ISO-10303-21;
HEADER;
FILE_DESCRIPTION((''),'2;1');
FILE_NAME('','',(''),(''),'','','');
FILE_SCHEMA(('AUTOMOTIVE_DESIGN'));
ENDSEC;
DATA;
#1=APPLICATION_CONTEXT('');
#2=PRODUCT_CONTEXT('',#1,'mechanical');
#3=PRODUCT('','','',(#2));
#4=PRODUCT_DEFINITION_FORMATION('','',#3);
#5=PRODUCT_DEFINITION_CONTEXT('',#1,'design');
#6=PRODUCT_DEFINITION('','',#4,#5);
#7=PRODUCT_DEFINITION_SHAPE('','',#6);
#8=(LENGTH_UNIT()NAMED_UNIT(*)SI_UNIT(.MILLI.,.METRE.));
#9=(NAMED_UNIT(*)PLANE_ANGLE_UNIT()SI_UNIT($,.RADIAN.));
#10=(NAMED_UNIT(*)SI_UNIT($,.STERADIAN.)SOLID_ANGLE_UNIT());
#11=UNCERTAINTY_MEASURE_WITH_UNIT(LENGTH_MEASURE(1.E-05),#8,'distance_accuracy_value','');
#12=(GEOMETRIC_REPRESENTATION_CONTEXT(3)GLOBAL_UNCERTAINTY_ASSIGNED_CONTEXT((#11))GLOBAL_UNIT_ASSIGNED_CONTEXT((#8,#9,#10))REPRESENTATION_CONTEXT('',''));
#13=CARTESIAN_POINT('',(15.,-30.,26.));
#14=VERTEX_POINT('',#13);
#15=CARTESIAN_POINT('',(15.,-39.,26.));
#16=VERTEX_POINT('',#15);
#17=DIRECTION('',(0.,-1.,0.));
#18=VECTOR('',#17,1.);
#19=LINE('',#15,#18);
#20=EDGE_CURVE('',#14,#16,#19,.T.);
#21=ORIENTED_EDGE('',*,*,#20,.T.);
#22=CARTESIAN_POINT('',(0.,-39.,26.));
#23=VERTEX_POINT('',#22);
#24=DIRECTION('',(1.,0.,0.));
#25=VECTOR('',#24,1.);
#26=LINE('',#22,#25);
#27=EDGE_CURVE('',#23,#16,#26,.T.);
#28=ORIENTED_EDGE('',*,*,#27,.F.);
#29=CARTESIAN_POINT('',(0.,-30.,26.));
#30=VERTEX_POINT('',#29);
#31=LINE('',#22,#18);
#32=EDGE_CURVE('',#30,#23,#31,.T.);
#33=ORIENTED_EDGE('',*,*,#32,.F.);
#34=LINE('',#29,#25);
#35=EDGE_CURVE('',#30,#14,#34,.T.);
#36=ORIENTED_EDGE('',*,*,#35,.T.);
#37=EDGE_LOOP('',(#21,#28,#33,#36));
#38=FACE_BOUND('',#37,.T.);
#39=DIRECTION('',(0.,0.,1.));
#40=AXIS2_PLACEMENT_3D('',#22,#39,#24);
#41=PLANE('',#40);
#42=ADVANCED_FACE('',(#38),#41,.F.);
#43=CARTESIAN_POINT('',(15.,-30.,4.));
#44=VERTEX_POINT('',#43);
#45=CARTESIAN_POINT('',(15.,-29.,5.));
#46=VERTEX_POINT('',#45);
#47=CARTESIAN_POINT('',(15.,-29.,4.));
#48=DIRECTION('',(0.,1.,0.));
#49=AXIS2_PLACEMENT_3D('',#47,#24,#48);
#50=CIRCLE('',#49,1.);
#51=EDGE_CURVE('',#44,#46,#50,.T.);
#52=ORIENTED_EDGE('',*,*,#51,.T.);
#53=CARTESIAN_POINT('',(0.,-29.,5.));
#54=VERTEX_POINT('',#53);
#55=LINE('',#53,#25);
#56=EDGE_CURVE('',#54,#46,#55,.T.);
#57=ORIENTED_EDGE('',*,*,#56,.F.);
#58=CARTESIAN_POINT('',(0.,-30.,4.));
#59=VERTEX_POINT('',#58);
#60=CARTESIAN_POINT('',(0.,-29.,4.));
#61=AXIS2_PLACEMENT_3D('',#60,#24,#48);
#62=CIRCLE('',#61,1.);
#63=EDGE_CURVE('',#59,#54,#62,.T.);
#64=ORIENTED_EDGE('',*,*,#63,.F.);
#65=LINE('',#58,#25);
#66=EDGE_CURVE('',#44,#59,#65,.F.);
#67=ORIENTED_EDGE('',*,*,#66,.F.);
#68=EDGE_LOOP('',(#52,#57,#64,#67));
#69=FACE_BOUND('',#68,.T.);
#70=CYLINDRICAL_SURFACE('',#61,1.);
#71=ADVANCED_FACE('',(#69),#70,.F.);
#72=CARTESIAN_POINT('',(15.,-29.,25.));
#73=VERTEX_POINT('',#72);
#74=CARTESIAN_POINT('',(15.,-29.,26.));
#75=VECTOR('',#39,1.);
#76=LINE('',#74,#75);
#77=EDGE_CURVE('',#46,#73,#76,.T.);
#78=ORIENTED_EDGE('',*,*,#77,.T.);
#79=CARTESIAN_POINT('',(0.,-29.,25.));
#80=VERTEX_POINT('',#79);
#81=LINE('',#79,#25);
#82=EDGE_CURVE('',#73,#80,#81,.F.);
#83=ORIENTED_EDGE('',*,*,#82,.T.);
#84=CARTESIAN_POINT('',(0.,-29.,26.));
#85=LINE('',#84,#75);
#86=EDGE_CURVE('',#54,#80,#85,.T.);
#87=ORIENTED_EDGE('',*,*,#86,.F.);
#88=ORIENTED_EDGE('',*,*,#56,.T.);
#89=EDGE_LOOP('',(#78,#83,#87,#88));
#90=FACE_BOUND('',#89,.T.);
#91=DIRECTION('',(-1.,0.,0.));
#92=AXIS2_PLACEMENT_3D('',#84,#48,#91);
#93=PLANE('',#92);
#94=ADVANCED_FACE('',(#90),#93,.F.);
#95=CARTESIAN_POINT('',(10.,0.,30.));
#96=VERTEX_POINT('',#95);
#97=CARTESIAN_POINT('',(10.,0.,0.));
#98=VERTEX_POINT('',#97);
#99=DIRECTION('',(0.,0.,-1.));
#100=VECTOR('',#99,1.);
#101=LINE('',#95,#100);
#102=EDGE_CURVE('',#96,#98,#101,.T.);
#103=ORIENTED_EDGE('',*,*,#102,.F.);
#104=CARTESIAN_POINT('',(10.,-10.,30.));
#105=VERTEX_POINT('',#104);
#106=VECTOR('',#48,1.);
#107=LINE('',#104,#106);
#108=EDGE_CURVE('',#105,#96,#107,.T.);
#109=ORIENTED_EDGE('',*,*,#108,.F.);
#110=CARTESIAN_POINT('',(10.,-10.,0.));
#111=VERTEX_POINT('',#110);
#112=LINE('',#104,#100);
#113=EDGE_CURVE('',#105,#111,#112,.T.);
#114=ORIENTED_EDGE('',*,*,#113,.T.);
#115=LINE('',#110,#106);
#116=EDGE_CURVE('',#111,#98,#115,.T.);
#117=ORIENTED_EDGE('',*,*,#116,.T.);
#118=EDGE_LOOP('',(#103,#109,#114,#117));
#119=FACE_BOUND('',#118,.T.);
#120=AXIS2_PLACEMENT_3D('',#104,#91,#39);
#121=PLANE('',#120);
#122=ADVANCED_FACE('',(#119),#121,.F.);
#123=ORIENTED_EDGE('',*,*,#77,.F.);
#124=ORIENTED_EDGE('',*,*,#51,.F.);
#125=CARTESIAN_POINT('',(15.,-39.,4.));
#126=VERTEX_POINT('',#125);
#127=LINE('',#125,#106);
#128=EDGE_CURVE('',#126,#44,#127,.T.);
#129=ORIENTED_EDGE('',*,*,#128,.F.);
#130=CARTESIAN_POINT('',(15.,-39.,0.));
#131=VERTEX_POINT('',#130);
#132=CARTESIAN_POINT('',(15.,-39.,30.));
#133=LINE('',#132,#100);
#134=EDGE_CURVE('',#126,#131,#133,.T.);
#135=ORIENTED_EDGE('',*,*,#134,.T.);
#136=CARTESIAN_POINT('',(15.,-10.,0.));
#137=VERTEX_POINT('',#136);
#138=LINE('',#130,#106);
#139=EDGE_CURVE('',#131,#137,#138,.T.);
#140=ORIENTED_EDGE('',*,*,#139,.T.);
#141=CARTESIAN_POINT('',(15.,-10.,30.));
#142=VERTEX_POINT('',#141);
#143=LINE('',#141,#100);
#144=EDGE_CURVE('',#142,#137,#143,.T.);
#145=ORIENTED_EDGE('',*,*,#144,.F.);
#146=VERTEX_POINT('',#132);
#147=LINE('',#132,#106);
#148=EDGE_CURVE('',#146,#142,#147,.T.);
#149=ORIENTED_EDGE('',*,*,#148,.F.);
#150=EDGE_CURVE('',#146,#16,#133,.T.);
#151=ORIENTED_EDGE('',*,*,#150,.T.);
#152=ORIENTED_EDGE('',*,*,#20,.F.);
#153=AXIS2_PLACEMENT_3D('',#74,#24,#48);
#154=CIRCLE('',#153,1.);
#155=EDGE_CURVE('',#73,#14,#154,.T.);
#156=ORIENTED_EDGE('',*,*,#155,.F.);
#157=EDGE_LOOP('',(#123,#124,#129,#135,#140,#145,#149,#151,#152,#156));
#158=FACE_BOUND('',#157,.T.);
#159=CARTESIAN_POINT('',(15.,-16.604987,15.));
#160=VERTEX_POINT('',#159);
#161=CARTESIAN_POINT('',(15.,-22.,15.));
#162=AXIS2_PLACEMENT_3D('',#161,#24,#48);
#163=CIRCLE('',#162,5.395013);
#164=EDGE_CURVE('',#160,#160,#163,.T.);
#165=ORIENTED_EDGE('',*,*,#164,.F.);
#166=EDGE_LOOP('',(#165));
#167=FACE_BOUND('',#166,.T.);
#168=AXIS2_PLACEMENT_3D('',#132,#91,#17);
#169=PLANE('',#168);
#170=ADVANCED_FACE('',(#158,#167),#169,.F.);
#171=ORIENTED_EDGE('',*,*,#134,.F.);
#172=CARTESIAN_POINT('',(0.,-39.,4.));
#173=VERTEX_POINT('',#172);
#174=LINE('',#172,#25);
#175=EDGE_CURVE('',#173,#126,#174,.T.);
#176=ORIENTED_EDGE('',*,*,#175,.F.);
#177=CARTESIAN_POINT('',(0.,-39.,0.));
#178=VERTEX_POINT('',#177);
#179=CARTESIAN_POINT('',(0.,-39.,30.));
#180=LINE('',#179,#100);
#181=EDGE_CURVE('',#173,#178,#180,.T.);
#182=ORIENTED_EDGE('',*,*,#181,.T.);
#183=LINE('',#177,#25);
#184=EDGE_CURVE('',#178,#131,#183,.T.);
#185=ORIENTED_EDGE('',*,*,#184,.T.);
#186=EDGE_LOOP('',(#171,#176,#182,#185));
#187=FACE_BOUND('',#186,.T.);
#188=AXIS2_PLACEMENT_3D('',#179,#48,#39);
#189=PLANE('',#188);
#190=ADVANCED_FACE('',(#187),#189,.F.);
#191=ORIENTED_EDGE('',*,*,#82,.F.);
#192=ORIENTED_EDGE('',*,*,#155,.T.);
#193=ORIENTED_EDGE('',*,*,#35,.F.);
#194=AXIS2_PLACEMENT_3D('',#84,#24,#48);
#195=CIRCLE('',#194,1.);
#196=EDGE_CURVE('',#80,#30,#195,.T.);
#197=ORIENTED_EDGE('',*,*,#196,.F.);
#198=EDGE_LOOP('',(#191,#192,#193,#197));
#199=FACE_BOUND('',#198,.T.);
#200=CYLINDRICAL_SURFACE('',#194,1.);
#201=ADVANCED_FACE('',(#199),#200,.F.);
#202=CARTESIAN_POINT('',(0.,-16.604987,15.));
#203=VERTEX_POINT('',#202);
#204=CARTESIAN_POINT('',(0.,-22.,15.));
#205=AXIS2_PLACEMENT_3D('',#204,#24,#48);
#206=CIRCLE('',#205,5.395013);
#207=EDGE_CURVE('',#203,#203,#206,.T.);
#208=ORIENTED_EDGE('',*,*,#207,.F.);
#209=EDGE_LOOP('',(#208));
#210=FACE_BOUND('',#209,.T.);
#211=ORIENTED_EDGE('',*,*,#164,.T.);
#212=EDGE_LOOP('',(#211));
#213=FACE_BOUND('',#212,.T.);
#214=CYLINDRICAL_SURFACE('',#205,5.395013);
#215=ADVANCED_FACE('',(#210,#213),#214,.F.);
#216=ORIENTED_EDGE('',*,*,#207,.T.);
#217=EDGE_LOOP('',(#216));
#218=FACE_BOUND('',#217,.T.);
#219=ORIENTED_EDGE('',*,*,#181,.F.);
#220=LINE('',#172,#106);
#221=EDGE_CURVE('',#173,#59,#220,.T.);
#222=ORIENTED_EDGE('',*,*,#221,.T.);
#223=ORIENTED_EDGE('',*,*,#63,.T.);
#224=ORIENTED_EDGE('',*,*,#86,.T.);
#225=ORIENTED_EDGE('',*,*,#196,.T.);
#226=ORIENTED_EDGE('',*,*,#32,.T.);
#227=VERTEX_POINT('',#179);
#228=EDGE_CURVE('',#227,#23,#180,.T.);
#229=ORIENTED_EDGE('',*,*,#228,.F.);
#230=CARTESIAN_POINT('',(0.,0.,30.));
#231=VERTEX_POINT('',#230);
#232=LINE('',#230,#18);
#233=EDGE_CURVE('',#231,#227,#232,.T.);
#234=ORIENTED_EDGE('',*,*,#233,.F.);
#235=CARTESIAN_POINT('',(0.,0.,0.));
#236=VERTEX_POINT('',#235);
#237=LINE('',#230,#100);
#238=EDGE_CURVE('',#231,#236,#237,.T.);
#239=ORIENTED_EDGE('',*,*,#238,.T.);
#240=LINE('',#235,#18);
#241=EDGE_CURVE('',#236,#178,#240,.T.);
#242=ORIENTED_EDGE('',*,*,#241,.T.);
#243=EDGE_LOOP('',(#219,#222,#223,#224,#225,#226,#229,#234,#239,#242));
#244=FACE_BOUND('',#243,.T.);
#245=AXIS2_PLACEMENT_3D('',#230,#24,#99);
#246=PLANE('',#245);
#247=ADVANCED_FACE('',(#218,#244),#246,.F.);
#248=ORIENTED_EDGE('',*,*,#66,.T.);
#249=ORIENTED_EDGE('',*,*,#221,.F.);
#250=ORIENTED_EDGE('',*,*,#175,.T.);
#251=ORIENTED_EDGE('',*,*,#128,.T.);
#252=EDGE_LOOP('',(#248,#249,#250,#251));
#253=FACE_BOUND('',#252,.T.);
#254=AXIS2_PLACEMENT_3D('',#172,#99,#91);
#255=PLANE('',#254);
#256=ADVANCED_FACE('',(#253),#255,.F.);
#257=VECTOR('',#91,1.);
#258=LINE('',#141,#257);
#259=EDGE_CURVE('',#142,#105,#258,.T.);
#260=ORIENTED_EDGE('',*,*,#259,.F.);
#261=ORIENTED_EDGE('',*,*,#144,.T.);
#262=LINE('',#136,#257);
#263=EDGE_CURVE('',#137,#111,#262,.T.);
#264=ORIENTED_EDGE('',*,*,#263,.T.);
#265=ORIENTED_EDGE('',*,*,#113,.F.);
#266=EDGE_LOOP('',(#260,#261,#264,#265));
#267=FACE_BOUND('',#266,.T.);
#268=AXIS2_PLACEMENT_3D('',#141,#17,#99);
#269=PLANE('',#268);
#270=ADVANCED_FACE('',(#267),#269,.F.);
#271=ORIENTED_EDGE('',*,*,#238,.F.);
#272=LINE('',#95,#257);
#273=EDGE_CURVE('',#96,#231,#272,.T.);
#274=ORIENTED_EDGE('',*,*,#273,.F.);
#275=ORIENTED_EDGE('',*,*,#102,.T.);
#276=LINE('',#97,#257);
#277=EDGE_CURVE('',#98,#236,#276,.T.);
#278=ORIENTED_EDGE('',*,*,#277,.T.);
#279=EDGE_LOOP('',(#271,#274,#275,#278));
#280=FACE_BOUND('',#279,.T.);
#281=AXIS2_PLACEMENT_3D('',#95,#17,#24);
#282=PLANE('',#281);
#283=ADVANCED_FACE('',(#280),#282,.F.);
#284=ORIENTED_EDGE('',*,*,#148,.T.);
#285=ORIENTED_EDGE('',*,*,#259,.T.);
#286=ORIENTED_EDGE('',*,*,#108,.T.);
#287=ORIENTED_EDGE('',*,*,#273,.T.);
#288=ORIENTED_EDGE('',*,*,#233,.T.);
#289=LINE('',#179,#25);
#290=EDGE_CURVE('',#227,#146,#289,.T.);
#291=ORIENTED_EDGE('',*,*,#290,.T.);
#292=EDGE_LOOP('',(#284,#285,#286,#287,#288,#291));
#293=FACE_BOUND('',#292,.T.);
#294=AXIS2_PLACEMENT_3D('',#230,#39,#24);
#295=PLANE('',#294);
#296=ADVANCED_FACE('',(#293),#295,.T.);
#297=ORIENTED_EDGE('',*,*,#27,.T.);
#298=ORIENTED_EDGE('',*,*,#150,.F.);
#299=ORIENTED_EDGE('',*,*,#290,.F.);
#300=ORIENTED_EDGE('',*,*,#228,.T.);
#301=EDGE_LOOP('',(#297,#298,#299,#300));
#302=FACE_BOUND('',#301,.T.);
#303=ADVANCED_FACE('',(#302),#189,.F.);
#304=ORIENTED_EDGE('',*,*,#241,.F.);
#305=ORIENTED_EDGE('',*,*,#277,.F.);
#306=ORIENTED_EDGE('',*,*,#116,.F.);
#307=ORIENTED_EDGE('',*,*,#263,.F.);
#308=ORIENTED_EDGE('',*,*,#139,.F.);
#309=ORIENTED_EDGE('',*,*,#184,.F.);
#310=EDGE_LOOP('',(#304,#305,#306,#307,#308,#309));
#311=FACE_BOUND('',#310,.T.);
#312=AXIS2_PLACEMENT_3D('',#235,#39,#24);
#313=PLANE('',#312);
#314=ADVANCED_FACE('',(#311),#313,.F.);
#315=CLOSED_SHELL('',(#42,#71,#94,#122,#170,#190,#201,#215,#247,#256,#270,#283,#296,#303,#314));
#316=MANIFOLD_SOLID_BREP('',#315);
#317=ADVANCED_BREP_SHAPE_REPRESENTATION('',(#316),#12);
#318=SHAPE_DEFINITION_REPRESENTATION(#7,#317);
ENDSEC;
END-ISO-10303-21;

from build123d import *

# Parameters (mm, degrees)
RESSALTO_EXTRUS_O1_DEPTH = 30
ESBO_O2_W                = 22
ESBO_O2_H                = 10
CORTE_EXTRUS_O1_DEPTH    = 52.439284598
ESBO_O3_R                = 1
CORTE_EXTRUS_O2_DEPTH    = 52.439284598
ESBO_O4_R                = 5.395012771
CORTE_EXTRUS_O3_DEPTH    = 52.439284598


with BuildPart() as part:
    # Esboço1 → Ressalto-extrusão1 (new body)
    with BuildSketch(Plane.XY):
        Polygon((0, 0), (0, -39), (15, -39), (15, -10), (10, -10), (10, 0), align=None)
    extrude(amount=RESSALTO_EXTRUS_O1_DEPTH)

    # Esboço2 → Corte-extrusão1 (cut, through all)
    with BuildSketch(Plane(origin=(15, 0, 0), x_dir=(0, 0, -1), z_dir=(1, 0, 0))):
        with Locations((-15, -34)):
            Rectangle(ESBO_O2_W, ESBO_O2_H)
    extrude(amount=-CORTE_EXTRUS_O1_DEPTH, mode=Mode.SUBTRACT)

    # Esboço3 → Corte-extrusão2 (cut, through all)
    with BuildSketch(Plane(origin=(15, 0, 0), x_dir=(0, 0, -1), z_dir=(1, 0, 0))):
        with Locations((-26, -29)):
            Circle(ESBO_O3_R)
        with Locations((-4, -29)):
            Circle(ESBO_O3_R)
    extrude(amount=-CORTE_EXTRUS_O2_DEPTH, mode=Mode.SUBTRACT)

    # Esboço4 → Corte-extrusão3 (cut, through all)
    with BuildSketch(Plane(origin=(15, 0, 0), x_dir=(0, 0, -1), z_dir=(1, 0, 0))):
        with Locations(Location((-15, -22, 0), (0, 0, 90))):
            Circle(ESBO_O4_R)
    extrude(amount=-CORTE_EXTRUS_O3_DEPTH, mode=Mode.SUBTRACT)


solid = part.part
